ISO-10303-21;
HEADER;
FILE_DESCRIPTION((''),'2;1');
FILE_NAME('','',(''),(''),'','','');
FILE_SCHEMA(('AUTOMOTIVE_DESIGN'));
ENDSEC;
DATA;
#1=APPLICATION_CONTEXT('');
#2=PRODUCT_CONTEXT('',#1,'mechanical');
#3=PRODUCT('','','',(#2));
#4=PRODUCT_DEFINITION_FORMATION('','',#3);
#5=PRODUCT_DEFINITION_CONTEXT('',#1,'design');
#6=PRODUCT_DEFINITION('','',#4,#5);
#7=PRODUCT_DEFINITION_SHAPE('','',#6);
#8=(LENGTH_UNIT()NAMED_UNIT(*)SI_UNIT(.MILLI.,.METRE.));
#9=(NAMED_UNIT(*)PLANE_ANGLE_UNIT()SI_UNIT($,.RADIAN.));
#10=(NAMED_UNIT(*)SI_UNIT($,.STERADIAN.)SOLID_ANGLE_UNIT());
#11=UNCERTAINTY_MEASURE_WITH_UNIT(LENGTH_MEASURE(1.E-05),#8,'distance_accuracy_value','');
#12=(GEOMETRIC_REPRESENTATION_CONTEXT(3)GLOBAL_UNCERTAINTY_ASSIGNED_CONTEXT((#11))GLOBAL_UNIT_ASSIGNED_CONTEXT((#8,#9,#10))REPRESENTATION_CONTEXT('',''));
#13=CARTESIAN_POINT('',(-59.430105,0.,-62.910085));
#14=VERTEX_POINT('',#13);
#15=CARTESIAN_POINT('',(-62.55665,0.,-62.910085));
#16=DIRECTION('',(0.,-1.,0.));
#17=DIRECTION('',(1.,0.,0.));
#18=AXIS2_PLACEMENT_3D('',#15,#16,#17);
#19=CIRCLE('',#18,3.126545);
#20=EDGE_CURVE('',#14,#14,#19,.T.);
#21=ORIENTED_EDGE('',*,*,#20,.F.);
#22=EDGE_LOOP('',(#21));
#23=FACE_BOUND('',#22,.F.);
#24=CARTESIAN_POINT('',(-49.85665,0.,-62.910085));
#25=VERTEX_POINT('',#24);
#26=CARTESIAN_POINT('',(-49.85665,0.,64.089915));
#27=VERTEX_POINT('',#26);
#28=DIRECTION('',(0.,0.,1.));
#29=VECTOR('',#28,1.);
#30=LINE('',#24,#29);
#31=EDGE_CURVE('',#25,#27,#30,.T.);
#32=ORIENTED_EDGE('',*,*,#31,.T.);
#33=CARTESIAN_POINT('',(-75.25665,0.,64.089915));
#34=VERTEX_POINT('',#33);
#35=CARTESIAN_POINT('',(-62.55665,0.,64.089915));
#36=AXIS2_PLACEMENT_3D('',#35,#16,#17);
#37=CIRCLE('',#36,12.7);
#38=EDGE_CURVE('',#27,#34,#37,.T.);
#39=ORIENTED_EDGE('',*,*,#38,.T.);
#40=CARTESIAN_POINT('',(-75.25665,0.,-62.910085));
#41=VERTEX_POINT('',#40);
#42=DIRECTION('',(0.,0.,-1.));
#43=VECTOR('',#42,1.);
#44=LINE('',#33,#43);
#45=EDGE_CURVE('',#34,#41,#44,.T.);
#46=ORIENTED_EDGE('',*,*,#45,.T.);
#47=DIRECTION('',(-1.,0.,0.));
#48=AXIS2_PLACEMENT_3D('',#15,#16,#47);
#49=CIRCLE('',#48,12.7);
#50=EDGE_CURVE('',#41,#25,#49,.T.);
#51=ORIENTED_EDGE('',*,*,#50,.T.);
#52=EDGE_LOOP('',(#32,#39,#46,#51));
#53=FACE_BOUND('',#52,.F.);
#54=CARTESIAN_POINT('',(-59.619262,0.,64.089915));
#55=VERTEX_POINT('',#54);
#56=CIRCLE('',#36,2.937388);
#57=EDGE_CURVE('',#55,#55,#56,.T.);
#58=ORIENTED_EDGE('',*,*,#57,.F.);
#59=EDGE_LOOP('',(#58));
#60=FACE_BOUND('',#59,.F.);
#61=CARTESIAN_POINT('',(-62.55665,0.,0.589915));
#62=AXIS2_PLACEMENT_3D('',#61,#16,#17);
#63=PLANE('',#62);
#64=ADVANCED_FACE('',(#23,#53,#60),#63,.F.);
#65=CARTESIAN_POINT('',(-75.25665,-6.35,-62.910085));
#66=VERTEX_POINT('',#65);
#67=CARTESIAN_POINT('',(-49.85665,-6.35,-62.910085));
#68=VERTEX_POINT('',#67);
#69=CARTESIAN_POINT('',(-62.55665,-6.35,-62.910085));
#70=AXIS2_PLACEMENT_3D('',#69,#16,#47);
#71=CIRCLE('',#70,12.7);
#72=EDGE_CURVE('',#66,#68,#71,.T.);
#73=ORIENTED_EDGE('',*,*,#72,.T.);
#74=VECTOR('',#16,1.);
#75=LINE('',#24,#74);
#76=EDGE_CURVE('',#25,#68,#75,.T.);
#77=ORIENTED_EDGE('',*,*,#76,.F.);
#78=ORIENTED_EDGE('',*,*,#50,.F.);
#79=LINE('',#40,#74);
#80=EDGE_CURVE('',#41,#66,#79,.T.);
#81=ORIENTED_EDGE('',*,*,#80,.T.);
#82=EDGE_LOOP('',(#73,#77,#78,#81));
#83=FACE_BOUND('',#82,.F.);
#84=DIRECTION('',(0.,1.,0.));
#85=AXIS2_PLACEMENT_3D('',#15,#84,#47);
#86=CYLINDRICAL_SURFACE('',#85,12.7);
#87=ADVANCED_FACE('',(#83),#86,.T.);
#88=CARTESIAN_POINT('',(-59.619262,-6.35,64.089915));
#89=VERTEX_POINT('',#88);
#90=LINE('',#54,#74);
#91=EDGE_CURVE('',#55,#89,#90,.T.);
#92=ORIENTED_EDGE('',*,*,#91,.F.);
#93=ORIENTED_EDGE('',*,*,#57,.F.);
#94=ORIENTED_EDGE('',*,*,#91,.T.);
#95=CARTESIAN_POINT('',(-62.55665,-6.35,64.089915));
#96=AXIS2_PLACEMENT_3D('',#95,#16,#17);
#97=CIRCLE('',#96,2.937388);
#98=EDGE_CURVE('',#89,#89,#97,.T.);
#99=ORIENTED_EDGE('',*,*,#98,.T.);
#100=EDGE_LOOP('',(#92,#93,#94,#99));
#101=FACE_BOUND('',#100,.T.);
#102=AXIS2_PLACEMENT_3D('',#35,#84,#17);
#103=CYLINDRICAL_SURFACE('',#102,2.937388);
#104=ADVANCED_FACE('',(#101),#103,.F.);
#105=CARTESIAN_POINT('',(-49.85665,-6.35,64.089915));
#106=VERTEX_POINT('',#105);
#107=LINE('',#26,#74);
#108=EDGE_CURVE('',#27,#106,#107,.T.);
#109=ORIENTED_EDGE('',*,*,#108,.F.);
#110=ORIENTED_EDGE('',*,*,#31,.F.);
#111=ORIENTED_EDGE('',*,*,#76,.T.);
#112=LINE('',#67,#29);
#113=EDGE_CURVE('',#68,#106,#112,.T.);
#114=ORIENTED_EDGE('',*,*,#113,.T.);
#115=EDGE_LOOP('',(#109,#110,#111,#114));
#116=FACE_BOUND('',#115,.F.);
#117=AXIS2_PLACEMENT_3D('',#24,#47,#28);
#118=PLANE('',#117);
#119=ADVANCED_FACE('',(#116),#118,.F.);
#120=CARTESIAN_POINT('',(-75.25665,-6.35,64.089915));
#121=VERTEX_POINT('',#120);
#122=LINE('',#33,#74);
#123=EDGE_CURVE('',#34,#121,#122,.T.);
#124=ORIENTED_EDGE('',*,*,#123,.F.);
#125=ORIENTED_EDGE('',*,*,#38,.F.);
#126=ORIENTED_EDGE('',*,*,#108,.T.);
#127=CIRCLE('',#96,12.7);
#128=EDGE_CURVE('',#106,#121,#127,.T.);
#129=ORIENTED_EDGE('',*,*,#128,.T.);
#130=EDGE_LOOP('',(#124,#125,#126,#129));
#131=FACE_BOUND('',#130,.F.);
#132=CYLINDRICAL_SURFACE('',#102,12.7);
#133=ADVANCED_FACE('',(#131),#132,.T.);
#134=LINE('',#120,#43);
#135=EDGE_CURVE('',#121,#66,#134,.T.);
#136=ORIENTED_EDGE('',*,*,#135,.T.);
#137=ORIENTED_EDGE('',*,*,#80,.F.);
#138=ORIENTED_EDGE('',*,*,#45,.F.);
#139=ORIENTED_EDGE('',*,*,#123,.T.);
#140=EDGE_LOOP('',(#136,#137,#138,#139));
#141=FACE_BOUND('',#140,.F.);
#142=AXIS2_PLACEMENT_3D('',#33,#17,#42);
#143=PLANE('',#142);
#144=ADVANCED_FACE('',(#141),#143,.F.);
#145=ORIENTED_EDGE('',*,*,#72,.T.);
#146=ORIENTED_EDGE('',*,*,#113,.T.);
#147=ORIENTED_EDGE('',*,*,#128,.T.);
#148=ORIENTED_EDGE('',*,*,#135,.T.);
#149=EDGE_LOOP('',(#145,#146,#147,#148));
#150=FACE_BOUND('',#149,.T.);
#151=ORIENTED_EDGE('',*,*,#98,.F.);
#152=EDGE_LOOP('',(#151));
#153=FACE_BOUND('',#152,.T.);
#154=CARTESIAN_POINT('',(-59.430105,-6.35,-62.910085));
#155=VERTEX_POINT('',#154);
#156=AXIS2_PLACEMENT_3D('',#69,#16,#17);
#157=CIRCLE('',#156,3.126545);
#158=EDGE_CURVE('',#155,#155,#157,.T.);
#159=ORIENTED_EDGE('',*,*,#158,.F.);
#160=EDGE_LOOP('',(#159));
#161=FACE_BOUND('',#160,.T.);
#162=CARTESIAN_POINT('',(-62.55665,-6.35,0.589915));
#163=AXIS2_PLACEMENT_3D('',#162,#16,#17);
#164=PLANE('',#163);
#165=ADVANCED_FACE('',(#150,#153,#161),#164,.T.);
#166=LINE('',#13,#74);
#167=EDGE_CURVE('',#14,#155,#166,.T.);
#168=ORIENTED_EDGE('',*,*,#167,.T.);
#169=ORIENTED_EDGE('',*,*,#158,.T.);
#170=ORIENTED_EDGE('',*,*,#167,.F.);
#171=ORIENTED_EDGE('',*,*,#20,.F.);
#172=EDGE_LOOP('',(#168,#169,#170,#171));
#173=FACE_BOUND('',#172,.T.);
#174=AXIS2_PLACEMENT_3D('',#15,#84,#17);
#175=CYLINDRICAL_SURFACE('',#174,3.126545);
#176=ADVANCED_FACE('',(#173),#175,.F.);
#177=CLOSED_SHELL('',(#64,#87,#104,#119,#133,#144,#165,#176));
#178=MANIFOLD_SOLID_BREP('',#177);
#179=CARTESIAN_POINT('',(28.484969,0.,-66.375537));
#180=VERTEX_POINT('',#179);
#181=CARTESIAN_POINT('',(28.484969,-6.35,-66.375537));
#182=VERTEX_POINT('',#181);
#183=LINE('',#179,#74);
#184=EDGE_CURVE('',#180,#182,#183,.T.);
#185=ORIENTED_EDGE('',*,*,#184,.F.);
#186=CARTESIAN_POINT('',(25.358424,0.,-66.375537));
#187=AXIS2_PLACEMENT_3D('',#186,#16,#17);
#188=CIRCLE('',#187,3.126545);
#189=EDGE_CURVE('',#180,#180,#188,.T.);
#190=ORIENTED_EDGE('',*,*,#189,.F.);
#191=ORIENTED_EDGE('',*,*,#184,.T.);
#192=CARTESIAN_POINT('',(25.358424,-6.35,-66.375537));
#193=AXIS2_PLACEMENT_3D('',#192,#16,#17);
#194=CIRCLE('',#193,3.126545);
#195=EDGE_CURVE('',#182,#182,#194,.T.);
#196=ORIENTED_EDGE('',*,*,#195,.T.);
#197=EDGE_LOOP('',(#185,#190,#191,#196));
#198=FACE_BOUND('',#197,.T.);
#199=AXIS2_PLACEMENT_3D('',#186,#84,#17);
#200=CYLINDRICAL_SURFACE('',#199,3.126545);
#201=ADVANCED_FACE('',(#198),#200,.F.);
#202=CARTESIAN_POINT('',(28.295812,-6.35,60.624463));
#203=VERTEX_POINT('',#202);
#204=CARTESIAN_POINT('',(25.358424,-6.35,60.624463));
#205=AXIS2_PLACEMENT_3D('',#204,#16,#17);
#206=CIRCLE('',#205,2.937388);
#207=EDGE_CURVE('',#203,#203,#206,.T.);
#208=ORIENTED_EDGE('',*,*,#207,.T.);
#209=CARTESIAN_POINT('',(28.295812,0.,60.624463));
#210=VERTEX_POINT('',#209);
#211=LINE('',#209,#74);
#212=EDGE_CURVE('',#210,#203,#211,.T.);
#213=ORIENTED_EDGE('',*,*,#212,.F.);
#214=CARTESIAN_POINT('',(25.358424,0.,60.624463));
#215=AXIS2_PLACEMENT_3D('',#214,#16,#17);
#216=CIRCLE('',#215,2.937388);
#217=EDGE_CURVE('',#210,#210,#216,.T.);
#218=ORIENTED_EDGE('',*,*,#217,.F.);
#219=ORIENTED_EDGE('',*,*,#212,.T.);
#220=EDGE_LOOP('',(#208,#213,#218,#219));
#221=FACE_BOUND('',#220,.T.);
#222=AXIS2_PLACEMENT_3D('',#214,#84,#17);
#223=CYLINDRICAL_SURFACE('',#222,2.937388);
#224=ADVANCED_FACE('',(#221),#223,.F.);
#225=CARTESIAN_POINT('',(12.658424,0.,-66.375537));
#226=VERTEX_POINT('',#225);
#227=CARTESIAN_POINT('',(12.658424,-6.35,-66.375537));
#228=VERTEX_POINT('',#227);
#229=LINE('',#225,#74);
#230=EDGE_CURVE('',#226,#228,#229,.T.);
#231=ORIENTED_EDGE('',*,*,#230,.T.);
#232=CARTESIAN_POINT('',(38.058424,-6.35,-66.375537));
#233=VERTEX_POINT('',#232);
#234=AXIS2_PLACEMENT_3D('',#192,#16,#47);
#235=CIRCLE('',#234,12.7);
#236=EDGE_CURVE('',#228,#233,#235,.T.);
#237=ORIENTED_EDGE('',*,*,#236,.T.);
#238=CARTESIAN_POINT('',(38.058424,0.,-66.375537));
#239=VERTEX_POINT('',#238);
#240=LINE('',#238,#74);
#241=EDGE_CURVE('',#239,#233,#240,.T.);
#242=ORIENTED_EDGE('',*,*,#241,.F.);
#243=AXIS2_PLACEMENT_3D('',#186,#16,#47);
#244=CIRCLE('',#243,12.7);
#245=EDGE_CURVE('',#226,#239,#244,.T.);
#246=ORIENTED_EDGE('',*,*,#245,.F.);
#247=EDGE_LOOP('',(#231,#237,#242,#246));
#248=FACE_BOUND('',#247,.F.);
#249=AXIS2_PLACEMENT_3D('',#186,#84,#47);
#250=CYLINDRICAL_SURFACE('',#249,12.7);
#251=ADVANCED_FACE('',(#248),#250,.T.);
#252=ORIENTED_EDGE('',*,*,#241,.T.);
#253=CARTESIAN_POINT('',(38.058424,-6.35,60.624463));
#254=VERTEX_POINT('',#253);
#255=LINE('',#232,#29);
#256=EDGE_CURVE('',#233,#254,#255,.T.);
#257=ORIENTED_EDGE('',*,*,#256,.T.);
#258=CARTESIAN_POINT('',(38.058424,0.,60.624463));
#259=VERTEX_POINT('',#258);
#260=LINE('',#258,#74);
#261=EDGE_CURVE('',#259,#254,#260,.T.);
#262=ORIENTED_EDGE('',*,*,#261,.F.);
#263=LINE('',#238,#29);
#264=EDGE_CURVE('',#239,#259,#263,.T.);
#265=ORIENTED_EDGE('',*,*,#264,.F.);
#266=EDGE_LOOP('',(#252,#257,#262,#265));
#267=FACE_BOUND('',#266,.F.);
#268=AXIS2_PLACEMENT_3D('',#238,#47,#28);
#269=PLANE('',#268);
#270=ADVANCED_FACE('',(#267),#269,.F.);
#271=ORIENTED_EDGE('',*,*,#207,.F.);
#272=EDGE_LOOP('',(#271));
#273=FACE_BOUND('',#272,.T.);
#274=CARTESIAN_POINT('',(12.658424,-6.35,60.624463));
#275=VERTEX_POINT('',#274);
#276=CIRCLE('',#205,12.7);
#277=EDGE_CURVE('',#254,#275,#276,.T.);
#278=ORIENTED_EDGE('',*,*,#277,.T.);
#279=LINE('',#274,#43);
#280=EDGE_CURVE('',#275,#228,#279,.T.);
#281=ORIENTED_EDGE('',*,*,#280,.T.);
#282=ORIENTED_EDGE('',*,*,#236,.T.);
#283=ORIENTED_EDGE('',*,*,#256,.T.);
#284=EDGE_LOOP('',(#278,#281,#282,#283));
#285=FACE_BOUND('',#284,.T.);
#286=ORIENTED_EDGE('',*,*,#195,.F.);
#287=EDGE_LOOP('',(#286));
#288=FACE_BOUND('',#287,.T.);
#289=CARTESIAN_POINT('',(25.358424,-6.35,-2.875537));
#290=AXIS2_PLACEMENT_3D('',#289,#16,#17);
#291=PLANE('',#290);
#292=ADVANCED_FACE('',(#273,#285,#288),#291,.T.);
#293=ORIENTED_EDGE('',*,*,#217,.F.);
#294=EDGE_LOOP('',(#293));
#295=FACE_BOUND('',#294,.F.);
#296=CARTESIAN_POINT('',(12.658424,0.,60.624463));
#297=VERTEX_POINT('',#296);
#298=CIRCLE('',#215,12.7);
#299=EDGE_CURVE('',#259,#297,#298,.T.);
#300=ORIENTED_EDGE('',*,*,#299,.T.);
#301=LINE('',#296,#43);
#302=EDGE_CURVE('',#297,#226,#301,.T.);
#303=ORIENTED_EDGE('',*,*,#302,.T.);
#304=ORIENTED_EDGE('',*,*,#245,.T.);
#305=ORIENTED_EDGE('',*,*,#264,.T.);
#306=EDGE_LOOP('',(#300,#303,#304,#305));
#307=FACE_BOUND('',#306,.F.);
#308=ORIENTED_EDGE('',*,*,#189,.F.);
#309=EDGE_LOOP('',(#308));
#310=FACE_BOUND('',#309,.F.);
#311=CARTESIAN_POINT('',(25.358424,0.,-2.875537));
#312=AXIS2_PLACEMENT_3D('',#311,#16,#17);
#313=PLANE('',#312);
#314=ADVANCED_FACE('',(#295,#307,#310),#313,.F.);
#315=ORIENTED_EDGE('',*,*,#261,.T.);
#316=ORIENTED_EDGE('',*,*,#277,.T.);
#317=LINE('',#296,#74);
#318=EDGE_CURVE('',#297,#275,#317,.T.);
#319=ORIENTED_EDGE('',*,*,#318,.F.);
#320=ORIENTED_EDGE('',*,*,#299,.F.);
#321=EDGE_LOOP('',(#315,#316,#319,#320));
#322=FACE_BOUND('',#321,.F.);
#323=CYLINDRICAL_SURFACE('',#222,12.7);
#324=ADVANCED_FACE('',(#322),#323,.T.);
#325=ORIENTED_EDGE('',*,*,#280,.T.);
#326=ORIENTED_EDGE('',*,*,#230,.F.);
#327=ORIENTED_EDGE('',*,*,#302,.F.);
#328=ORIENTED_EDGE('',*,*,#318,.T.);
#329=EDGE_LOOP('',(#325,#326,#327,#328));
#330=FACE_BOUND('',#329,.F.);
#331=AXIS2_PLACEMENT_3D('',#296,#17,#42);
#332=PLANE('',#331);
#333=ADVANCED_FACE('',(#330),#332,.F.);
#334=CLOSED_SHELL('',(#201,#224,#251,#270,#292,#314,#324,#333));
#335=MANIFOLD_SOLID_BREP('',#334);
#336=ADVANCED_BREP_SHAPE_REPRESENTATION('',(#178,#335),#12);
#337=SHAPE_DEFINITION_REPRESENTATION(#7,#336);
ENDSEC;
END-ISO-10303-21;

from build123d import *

# Parameters (mm, degrees)
F0_R     = 3.126545
F0_R_2   = 2.937388
F1_DEPTH = 6.35


with BuildPart() as f1:
    # F0 (on Front) → F1 (new body)
    with BuildSketch(Plane.XZ):
        with BuildLine():
            ThreePointArc((38.058424, 60.624463), (25.358424, 73.324463), (12.658424, 60.624463))
            Line((12.658424, 60.624463), (12.658424, -66.375537))
            ThreePointArc((12.658424, -66.375537), (25.358424, -79.075537), (38.058424, -66.375537))
            Line((38.058424, -66.375537), (38.058424, 60.624463))
        make_face()
        with Locations((25.358424, -66.375537)):
            Circle(F0_R, mode=Mode.SUBTRACT)
        with Locations((25.358424, 60.624463)):
            Circle(F0_R_2, mode=Mode.SUBTRACT)
        with BuildLine():
            ThreePointArc((-49.85665, 64.089915), (-62.55665, 76.789915), (-75.25665, 64.089915))
            Line((-75.25665, 64.089915), (-75.25665, -62.910085))
            ThreePointArc((-75.25665, -62.910085), (-62.55665, -75.610085), (-49.85665, -62.910085))
            Line((-49.85665, -62.910085), (-49.85665, 64.089915))
        make_face()
        with Locations((-62.55665, -62.910085)):
            Circle(F0_R, mode=Mode.SUBTRACT)
        with Locations((-62.55665, 64.089915)):
            Circle(F0_R_2, mode=Mode.SUBTRACT)
    extrude(amount=F1_DEPTH)


solid = f1.part
